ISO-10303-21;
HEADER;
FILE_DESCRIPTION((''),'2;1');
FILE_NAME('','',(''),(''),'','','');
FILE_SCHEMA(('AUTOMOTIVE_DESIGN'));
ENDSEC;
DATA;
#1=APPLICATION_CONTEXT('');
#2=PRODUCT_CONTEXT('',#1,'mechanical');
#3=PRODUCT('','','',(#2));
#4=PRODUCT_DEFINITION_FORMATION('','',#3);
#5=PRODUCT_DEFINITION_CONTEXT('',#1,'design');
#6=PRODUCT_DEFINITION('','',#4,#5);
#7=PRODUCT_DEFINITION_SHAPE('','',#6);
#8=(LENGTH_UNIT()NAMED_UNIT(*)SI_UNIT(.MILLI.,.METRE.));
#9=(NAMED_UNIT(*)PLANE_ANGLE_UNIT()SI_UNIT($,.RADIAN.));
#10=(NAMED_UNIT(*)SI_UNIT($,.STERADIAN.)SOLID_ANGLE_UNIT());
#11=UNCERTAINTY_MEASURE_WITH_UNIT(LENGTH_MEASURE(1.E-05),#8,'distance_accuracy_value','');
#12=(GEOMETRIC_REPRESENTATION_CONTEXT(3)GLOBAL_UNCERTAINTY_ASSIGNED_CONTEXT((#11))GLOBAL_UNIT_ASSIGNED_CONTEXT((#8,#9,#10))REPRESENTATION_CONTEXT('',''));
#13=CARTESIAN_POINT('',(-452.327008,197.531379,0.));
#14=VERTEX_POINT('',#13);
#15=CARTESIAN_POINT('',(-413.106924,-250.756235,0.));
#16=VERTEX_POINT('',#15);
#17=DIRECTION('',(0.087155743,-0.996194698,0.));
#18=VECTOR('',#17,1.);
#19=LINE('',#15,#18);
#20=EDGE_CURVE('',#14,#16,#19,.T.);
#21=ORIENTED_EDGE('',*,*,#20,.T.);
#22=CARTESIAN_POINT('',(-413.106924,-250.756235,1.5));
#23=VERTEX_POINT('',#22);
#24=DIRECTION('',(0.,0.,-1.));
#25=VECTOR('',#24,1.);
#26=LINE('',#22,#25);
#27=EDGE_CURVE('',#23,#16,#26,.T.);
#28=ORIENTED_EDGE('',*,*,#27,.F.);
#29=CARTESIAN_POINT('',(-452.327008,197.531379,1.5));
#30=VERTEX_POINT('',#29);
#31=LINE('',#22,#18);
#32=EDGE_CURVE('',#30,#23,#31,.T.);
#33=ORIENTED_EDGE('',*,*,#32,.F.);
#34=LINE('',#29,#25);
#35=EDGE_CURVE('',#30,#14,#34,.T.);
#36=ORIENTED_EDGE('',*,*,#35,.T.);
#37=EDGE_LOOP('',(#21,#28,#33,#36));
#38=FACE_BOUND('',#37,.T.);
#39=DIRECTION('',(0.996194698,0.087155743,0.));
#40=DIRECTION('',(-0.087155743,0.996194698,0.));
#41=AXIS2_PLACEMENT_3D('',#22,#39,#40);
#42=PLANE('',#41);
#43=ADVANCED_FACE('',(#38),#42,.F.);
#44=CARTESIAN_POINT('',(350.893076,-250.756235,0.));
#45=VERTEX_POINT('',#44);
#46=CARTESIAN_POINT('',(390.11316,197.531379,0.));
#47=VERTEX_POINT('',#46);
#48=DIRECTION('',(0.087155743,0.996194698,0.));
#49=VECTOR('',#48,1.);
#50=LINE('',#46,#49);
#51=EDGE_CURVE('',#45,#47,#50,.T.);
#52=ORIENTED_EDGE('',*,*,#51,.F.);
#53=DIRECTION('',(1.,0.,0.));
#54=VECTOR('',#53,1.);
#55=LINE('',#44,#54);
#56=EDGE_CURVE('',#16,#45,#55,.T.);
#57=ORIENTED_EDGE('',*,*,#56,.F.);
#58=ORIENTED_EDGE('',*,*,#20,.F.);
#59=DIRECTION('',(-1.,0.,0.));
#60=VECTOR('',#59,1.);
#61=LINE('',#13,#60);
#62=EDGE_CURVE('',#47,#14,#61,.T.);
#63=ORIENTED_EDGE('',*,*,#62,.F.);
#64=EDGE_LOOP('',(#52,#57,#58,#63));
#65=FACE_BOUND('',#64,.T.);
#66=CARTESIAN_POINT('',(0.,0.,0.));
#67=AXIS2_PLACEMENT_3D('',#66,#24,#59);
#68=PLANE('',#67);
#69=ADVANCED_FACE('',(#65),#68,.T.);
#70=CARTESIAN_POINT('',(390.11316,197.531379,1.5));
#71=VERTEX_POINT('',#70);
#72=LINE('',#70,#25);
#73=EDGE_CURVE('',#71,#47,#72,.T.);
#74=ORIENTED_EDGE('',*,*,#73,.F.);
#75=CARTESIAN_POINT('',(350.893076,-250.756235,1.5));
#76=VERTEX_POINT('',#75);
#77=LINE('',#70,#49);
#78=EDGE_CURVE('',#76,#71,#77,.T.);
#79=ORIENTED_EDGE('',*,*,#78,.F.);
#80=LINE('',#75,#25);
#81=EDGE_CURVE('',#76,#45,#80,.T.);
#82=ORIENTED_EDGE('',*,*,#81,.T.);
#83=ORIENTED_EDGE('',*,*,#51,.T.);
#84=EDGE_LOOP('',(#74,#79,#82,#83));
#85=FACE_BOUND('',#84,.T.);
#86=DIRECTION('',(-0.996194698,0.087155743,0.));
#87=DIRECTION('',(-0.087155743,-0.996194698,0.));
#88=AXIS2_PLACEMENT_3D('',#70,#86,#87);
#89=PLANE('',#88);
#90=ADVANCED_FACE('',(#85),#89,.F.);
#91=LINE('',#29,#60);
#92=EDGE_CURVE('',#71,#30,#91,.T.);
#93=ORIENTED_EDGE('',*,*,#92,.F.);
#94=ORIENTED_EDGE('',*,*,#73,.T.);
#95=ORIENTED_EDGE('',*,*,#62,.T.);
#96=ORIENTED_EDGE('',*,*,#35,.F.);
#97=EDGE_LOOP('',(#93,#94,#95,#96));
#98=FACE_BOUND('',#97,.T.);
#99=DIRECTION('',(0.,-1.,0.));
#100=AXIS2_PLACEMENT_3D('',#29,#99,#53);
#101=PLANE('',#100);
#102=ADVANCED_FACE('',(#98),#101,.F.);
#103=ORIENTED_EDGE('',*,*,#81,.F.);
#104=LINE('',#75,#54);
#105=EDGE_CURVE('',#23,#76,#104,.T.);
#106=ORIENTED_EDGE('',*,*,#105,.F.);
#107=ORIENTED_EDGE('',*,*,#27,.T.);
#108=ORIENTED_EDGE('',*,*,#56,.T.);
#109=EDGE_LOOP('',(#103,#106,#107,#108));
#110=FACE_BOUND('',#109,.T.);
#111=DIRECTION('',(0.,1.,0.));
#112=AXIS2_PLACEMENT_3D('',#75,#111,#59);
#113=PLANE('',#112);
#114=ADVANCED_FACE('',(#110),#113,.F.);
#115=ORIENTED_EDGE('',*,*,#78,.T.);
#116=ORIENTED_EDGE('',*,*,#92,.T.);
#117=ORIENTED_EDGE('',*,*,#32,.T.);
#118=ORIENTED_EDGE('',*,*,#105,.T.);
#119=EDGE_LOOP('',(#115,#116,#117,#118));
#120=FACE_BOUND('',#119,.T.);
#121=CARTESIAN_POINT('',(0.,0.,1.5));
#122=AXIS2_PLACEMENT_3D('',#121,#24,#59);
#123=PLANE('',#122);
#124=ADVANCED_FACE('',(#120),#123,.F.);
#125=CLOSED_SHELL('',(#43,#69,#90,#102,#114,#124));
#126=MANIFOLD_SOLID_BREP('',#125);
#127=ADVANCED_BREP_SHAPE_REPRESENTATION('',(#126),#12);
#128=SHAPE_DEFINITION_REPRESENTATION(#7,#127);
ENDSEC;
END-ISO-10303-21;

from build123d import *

# Parameters (mm, degrees)
BOSS_EXTRUDE1_DEPTH = 1.5


with BuildPart() as part:
    # Sketch1 → Boss-Extrude1 (new body)
    with BuildSketch(Plane(origin=(4.498873199, 0, 0), x_dir=(1, 0, 0), z_dir=(0, 0, 1))):
        Polygon((-456.825881658, 197.531378845), (385.614286815, 197.531378845), (346.394202579, -250.756235297), (-417.605797421, -250.756235297), align=None)
    extrude(amount=BOSS_EXTRUDE1_DEPTH)


solid = part.part
